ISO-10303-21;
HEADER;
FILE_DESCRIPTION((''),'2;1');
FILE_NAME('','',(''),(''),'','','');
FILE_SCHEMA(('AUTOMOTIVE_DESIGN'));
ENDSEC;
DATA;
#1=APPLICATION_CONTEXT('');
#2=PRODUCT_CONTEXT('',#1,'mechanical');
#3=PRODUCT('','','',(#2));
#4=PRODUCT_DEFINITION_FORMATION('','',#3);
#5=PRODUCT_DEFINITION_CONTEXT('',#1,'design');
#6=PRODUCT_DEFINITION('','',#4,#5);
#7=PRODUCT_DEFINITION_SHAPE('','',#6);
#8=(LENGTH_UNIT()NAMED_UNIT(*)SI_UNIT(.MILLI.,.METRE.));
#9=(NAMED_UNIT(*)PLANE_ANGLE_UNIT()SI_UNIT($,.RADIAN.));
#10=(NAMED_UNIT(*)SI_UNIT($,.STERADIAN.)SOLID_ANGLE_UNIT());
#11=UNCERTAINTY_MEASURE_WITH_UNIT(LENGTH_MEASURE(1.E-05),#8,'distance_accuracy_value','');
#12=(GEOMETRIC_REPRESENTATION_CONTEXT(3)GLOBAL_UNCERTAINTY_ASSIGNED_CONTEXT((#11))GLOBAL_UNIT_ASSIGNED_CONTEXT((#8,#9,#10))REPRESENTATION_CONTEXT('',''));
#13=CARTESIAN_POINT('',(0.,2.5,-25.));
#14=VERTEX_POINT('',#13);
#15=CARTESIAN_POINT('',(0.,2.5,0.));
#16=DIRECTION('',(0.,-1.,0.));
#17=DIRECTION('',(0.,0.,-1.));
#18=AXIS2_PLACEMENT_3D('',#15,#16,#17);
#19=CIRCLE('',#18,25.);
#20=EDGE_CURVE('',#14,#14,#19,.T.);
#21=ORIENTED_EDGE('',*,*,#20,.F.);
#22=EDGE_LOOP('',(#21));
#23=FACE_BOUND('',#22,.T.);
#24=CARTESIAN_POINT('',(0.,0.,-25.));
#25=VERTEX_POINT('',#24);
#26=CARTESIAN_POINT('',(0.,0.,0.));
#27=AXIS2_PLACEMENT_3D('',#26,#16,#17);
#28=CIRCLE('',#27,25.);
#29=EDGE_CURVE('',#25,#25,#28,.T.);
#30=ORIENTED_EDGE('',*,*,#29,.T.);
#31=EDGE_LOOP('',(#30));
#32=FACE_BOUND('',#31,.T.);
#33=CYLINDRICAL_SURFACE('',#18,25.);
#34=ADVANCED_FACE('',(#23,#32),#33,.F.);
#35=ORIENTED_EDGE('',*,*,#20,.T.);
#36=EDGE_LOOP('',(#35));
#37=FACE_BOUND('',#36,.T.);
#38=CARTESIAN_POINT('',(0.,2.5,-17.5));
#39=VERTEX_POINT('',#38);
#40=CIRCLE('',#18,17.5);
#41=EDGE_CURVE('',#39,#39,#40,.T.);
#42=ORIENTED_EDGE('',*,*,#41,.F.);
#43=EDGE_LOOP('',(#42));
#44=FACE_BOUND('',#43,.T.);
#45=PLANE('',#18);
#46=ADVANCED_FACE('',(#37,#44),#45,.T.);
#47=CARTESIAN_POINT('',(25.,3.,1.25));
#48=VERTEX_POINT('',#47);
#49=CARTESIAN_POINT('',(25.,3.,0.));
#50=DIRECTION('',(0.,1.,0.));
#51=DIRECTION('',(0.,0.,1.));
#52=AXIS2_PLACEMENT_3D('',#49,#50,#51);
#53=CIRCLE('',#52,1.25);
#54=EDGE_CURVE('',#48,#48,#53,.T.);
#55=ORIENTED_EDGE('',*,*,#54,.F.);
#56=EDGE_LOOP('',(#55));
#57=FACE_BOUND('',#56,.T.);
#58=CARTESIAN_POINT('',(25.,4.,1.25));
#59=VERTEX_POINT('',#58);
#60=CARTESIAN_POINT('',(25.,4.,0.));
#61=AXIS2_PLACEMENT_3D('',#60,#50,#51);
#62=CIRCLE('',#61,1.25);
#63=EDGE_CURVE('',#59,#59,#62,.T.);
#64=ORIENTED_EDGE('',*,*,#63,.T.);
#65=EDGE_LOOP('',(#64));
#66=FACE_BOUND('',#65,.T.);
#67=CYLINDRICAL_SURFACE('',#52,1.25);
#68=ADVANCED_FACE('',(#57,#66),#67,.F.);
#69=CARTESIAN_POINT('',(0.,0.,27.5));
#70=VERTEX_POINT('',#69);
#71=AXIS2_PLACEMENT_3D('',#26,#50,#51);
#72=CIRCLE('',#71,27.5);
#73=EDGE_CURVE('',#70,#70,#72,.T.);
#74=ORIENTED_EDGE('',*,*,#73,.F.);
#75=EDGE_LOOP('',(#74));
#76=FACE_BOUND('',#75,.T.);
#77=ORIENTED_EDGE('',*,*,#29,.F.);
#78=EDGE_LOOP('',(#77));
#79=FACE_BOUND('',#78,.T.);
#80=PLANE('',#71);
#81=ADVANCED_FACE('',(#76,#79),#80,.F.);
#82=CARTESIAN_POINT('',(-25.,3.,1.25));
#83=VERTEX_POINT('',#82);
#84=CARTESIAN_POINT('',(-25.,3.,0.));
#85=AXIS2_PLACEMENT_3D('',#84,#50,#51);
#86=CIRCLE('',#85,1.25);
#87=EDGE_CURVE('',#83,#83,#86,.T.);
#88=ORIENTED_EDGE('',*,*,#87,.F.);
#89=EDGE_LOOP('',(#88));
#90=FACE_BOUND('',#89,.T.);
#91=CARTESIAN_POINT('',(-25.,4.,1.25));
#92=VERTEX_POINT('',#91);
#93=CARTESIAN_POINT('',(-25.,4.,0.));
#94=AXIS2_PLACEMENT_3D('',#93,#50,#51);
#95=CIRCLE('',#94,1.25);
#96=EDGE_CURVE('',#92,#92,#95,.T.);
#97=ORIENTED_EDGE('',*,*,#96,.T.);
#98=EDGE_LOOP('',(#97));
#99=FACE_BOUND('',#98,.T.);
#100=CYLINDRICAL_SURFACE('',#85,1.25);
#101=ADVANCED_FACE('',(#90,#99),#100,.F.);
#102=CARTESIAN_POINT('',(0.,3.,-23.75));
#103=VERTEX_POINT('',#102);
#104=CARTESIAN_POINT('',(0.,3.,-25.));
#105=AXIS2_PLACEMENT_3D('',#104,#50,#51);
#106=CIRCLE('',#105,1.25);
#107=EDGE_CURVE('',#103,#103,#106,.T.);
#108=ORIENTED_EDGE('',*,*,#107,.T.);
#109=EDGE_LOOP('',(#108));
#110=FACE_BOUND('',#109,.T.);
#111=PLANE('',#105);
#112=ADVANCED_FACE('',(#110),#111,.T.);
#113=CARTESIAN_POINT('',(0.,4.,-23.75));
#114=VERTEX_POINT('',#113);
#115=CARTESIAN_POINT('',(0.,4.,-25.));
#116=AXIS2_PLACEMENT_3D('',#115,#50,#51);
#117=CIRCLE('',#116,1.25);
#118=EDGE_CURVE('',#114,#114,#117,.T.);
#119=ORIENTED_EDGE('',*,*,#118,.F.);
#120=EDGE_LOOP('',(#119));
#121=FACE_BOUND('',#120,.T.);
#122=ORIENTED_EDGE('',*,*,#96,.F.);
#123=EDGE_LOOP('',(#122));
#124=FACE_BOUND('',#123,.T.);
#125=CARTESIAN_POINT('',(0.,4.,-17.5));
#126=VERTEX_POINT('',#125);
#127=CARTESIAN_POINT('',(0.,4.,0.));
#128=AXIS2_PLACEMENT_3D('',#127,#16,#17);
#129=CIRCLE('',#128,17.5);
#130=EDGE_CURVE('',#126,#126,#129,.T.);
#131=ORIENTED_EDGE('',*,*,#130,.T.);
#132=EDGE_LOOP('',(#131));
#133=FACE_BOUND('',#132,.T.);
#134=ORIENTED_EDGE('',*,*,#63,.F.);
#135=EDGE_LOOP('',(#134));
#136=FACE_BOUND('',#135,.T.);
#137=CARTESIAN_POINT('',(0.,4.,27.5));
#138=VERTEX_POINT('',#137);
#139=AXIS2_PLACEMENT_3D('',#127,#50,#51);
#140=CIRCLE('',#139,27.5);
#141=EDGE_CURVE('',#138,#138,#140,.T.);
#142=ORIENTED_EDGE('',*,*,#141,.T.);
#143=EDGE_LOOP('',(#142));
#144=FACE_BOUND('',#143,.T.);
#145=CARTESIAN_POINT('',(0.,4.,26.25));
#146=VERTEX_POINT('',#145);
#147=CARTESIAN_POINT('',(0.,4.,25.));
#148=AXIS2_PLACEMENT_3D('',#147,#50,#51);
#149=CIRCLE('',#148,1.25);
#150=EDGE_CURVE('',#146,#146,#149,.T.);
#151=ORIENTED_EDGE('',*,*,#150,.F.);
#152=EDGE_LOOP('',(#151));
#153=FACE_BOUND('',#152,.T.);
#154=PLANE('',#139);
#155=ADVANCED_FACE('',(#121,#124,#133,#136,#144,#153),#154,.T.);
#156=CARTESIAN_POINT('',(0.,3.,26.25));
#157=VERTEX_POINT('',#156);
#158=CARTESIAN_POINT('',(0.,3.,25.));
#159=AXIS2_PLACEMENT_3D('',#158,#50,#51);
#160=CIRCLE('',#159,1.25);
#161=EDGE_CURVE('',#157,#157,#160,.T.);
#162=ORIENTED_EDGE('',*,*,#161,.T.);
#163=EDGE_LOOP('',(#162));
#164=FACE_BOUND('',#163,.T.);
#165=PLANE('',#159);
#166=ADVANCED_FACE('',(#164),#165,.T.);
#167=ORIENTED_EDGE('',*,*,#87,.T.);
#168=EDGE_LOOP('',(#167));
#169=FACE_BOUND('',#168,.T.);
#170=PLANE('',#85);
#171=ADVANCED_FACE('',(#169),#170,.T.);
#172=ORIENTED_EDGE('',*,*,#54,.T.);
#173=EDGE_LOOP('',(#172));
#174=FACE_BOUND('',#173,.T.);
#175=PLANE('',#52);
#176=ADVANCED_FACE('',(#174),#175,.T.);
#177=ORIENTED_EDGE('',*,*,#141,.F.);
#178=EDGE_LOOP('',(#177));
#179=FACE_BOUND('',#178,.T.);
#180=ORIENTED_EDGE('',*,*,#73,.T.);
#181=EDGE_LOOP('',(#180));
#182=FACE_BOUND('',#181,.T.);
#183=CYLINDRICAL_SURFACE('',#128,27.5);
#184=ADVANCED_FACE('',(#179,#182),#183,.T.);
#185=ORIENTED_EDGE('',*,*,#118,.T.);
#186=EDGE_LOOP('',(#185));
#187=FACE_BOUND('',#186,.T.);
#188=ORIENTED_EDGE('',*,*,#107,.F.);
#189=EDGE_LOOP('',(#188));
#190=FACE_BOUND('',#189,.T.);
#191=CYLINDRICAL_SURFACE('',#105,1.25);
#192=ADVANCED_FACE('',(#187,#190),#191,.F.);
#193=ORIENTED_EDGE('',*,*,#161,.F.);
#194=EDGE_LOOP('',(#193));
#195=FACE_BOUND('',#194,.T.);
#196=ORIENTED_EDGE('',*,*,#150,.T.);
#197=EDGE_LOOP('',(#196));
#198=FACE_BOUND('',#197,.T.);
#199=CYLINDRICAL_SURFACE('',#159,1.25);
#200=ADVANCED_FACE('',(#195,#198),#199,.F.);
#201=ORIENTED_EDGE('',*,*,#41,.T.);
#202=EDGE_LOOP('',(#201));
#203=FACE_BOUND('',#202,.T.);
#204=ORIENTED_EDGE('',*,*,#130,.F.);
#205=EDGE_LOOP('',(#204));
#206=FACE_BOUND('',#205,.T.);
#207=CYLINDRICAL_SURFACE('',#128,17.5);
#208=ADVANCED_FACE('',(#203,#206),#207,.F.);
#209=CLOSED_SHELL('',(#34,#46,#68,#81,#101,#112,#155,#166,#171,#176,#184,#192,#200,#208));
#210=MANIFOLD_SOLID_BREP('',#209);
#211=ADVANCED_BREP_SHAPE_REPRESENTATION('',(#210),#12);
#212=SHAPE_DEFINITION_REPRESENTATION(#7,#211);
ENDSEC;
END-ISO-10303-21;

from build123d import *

# Parameters (mm, degrees)
SKETCH1_R           = 27.5
BOSS_EXTRUDE1_DEPTH = 4
SKETCH2_R           = 1.25
CUT_EXTRUDE1_DEPTH  = 1
SKETCH3_R           = 25
CUT_EXTRUDE5_DEPTH  = 2.5
SKETCH4_R           = 17.5
CUT_EXTRUDE6_DEPTH  = 39.97114317


with BuildPart() as part:
    # Sketch1 → Boss-Extrude1 (new body)
    with BuildSketch(Plane(origin=(0, 0, 0), x_dir=(1, 0, 0), z_dir=(0, 1, 0))):
        with Locations(Location((0, 0, 0), (0, 0, 270))):
            Circle(SKETCH1_R)
    extrude(amount=BOSS_EXTRUDE1_DEPTH)

    # Sketch2 → Cut-Extrude1 (cut)
    with BuildSketch(Plane(origin=(0, 4, 0), x_dir=(1, 0, 0), z_dir=(0, 1, 0))):
        with Locations(Location((0, 25, 0), (0, 0, 270))):
            Circle(SKETCH2_R)
        with Locations(Location((25, 0, 0), (0, 0, 270))):
            Circle(SKETCH2_R)
        with Locations(Location((0, -25, 0), (0, 0, 270))):
            Circle(SKETCH2_R)
        with Locations(Location((-25, 0, 0), (0, 0, 270))):
            Circle(SKETCH2_R)
    extrude(amount=-CUT_EXTRUDE1_DEPTH, mode=Mode.SUBTRACT)

    # Sketch3 → Cut-Extrude5 (cut)
    with BuildSketch(Plane(origin=(0, 0, 0), x_dir=(-1, 0, 0), z_dir=(0, -1, 0))):
        with Locations(Location((0, 0, 0), (0, 0, 90))):
            Circle(SKETCH3_R)
    extrude(amount=-CUT_EXTRUDE5_DEPTH, mode=Mode.SUBTRACT)

    # Sketch4 → Cut-Extrude6 (cut, through all)
    with BuildSketch(Plane(origin=(0, 2.5, 0), x_dir=(-1, 0, 0), z_dir=(0, -1, 0))):
        with Locations(Location((0, 0, 0), (0, 0, 90))):
            Circle(SKETCH4_R)
    extrude(amount=-CUT_EXTRUDE6_DEPTH, mode=Mode.SUBTRACT)


solid = part.part
